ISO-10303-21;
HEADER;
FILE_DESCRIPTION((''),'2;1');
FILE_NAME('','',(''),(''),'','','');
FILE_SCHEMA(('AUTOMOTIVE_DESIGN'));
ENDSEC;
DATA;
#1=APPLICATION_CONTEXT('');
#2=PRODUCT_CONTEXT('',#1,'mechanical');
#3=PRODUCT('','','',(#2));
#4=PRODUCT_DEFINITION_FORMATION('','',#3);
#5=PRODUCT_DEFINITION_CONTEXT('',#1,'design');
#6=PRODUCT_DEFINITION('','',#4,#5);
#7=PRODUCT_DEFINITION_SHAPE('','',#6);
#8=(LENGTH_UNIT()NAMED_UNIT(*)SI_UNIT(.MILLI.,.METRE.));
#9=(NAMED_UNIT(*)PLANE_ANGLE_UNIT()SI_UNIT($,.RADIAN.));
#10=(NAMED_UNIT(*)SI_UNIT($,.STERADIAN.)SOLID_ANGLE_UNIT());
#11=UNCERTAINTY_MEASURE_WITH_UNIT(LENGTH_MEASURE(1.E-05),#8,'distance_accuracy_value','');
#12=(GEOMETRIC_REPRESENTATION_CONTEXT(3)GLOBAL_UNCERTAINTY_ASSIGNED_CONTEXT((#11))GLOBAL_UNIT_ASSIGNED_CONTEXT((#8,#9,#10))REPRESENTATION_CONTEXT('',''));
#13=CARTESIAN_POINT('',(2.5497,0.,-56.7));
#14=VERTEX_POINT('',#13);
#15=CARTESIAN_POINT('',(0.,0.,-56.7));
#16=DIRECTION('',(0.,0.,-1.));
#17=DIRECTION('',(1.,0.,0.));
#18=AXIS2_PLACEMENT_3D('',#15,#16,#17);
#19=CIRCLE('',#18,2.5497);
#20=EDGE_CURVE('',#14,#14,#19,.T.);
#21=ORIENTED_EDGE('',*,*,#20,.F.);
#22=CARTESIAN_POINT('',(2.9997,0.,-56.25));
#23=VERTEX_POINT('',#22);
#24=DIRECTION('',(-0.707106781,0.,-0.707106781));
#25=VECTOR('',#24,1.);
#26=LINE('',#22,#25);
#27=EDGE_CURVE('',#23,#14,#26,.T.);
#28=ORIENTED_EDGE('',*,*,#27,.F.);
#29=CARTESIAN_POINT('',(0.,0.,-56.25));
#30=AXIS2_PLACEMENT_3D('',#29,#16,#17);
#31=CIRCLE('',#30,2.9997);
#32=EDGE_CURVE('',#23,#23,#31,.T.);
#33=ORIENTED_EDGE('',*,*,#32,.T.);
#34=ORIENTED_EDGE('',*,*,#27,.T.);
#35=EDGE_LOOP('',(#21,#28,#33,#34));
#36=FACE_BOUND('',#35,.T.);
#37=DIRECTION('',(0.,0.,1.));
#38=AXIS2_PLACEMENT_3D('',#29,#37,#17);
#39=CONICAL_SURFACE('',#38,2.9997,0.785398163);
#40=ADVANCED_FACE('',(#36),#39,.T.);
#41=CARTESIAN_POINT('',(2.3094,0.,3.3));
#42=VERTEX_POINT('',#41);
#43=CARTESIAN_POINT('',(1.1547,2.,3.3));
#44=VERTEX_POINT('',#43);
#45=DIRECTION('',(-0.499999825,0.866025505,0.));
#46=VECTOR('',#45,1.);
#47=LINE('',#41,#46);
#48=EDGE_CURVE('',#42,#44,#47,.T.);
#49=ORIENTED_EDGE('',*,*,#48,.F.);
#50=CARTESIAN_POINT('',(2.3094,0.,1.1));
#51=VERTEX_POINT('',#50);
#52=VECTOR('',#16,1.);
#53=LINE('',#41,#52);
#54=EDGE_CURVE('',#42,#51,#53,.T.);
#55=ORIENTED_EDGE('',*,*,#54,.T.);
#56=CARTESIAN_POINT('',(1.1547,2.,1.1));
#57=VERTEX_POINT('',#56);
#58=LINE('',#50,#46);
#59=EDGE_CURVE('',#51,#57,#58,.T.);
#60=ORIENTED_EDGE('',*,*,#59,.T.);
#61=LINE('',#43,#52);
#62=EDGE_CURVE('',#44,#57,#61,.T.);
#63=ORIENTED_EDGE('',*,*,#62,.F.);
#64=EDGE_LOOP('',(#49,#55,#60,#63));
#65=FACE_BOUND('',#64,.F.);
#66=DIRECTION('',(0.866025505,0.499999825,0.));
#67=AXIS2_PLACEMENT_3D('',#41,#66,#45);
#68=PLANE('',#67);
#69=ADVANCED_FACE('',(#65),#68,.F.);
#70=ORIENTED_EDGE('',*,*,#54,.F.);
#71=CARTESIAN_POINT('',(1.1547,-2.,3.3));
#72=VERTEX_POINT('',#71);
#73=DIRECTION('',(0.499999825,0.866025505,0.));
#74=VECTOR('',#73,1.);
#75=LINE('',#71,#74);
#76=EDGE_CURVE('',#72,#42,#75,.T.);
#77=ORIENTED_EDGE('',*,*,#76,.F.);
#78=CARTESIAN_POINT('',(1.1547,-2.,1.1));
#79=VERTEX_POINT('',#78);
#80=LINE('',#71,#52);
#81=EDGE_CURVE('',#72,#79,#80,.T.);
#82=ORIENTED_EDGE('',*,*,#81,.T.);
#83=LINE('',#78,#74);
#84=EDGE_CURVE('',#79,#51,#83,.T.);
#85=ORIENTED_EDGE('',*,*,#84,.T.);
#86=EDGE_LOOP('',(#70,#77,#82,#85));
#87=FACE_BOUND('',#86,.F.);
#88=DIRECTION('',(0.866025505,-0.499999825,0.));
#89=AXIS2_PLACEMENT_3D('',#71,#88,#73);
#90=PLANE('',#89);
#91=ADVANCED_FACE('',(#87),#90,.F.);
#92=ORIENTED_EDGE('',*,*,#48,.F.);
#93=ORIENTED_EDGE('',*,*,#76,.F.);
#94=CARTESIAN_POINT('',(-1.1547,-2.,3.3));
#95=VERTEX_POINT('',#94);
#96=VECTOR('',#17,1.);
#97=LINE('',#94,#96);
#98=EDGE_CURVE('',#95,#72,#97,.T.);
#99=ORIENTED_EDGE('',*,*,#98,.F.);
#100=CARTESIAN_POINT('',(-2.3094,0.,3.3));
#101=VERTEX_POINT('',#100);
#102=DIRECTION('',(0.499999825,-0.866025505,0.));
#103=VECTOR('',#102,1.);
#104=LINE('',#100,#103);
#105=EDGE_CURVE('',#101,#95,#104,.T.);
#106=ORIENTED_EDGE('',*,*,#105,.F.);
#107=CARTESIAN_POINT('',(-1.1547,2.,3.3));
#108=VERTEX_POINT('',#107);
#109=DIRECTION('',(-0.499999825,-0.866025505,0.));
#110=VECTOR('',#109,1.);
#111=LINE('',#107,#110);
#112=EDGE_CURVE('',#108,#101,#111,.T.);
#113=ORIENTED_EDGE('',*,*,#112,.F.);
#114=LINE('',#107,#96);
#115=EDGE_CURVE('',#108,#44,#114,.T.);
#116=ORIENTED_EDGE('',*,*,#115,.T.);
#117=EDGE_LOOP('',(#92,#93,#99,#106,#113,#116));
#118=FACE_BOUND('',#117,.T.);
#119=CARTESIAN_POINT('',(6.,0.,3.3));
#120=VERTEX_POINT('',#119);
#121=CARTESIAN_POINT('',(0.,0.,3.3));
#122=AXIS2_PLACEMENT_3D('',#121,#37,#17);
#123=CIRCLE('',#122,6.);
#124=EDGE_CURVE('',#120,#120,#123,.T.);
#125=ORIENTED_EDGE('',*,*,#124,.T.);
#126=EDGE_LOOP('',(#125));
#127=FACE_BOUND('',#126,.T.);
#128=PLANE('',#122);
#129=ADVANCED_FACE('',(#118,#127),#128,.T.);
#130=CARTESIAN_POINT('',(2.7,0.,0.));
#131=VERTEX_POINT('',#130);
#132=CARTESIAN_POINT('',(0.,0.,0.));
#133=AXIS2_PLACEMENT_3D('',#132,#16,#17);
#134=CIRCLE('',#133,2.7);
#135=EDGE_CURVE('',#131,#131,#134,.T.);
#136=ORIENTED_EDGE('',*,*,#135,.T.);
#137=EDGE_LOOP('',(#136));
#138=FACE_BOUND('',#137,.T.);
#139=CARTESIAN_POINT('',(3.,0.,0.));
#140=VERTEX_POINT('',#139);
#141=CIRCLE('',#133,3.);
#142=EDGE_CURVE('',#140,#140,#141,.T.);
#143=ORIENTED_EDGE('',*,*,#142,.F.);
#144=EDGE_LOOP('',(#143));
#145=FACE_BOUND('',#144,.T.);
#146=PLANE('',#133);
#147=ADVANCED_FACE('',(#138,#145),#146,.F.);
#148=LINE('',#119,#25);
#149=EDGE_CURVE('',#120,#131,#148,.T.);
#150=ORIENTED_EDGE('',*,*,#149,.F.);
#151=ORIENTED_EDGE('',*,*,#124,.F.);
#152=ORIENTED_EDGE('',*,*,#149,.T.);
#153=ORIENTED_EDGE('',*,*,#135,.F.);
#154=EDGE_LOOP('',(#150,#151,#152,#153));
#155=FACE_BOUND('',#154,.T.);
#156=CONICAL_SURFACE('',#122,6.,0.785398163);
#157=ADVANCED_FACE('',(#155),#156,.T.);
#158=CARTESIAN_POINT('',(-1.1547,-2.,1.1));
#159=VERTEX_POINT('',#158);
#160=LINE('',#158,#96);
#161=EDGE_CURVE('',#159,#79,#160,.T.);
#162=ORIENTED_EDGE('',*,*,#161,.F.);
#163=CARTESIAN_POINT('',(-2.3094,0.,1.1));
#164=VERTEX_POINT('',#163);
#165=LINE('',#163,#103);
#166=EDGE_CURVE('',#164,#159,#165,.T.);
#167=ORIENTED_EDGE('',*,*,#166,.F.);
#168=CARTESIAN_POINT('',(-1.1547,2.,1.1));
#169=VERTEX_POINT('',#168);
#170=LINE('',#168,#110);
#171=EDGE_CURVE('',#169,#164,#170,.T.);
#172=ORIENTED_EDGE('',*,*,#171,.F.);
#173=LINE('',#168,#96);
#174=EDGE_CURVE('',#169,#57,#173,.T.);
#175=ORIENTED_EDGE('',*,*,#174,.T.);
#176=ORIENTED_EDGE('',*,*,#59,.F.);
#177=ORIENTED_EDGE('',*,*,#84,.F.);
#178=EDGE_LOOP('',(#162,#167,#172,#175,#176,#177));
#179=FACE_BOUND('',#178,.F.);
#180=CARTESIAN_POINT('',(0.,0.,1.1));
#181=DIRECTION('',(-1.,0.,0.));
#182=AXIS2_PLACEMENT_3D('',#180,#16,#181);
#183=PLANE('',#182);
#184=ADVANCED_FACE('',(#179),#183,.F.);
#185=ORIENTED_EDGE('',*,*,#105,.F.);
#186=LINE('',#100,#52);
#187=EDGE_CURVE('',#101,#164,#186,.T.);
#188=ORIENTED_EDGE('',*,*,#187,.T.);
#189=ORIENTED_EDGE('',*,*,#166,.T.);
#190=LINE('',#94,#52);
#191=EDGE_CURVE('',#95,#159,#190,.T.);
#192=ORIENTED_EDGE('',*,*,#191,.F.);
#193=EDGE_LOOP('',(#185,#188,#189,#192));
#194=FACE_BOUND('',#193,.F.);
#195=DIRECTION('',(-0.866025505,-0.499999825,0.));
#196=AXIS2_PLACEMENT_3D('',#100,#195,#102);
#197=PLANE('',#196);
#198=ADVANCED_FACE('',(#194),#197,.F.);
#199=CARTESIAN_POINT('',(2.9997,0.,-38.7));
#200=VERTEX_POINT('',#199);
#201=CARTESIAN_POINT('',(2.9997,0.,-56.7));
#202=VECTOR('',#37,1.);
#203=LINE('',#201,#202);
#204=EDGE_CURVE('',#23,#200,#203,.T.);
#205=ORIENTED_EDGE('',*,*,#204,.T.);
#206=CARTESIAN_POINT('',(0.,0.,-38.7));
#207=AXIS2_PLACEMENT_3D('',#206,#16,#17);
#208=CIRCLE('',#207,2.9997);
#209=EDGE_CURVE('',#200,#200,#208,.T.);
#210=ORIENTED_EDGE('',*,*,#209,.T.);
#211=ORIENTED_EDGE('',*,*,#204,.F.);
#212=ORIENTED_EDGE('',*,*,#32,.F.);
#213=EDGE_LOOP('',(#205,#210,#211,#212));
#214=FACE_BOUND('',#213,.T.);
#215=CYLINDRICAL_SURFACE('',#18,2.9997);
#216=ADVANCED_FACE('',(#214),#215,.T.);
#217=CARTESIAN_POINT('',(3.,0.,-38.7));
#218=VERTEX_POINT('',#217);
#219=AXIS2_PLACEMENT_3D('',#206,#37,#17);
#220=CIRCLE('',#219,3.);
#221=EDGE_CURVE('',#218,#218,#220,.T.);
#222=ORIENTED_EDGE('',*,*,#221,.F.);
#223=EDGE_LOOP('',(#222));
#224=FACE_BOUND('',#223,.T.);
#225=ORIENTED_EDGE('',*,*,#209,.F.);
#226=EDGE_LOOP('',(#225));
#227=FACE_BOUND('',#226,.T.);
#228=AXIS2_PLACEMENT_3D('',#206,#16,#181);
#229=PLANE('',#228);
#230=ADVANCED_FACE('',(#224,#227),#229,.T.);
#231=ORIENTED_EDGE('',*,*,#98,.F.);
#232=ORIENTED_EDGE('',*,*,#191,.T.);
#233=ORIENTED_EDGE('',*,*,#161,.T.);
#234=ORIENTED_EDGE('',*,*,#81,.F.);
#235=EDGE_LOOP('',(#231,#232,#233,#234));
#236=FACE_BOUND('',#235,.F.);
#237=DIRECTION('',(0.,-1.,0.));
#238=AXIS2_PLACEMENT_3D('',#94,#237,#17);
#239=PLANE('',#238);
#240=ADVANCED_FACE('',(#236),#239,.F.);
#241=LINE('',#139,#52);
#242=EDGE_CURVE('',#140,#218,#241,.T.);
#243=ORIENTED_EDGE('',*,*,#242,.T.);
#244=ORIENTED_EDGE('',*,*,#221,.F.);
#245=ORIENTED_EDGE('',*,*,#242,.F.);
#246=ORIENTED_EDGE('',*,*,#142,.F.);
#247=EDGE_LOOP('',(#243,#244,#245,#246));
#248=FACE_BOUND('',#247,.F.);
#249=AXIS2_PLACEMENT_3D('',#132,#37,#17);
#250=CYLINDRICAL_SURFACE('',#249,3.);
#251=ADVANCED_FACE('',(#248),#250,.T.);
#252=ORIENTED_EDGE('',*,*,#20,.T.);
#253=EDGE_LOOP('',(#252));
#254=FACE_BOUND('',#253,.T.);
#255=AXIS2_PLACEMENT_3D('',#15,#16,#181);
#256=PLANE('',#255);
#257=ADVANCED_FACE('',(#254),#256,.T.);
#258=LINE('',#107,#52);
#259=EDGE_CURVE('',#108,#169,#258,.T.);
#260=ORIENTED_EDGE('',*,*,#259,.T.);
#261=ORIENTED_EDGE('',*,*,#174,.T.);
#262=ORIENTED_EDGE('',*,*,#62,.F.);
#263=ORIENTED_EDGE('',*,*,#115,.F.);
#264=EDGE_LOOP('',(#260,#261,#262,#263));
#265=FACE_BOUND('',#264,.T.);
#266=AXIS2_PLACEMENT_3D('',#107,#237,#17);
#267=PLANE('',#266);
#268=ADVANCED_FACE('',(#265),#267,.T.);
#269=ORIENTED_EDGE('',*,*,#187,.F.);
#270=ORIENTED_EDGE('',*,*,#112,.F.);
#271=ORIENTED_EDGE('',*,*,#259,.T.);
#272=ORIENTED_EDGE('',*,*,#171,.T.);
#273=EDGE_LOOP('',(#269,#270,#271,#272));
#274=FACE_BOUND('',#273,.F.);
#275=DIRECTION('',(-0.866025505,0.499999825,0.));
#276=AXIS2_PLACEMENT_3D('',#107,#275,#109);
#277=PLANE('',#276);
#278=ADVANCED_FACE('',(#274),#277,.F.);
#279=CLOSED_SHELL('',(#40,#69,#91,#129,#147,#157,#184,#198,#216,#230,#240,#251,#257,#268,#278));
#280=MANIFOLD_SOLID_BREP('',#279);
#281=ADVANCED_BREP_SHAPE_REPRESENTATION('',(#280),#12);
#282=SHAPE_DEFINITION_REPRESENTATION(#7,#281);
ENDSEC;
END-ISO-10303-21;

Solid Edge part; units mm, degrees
sketch "Sketch1" plane through (0, 0, 0) normal (0, 0, 1) x (1, 0, 0)
  circle A0 centre (0, 0) radius 6
  dimension "D1" = 12
extrude "Protrusion1" add sketch "Sketch1" along normal blind 3.3
sketch "Sketch2" plane through (0, 0, 0) normal (0, 0, -1) x (1, 0, 0)
  circle A0 centre (0, 0) radius 3
extrude "Protrusion2" add sketch "Sketch2" along normal blind 56.7
sketch "Sketch3" plane through (0, 0, -56.7) normal (0, 0, -1) x (1, 0, 0)
  circle A0 centre (0, 0) radius 2.9997
extrude "Cutout1" cut sketch "Sketch3" against normal blind 18 flip side to cut
chamfer "Chamfer_1" distance 0.45 angle 45 1 edges at (-2.9997, 0, -56.7)
sketch "Sketch4" plane through (0, 0, 3.3) normal (0, 0, 1) x (1, 0, 0)
  line L0 (-1.1547, 2) -> (1.1547, 2)
  line L1 (2.3094, 0) -> (1.1547, 2)
  line L2 (1.1547, -2) -> (2.3094, 0)
  line L3 (-1.1547, -2) -> (1.1547, -2)
  line L4 (-2.3094, 0) -> (-1.1547, -2)
  line L5 (-1.1547, 2) -> (-2.3094, 0)
  dimension "D1" = 4
extrude "Cutout2" cut sketch "Sketch4" against normal blind 2.2
sketch "Sketch5" plane through (0, 0, 0) normal (0, -1, 0) x (1, 0, 0)
  line L0 (6, 3.3) -> (2.7, 0)
  line L1 (2.7, 0) -> (6, 0)
  line L2 (6, 0) -> (6, 3.3)
revolve "RevolvedCutout1" cut sketch "Sketch5" angle 360 about axis through (0, 0, 14.0017) along (0, 0, -1)
properties part number "209564" material "Stainless Steel, 304"
